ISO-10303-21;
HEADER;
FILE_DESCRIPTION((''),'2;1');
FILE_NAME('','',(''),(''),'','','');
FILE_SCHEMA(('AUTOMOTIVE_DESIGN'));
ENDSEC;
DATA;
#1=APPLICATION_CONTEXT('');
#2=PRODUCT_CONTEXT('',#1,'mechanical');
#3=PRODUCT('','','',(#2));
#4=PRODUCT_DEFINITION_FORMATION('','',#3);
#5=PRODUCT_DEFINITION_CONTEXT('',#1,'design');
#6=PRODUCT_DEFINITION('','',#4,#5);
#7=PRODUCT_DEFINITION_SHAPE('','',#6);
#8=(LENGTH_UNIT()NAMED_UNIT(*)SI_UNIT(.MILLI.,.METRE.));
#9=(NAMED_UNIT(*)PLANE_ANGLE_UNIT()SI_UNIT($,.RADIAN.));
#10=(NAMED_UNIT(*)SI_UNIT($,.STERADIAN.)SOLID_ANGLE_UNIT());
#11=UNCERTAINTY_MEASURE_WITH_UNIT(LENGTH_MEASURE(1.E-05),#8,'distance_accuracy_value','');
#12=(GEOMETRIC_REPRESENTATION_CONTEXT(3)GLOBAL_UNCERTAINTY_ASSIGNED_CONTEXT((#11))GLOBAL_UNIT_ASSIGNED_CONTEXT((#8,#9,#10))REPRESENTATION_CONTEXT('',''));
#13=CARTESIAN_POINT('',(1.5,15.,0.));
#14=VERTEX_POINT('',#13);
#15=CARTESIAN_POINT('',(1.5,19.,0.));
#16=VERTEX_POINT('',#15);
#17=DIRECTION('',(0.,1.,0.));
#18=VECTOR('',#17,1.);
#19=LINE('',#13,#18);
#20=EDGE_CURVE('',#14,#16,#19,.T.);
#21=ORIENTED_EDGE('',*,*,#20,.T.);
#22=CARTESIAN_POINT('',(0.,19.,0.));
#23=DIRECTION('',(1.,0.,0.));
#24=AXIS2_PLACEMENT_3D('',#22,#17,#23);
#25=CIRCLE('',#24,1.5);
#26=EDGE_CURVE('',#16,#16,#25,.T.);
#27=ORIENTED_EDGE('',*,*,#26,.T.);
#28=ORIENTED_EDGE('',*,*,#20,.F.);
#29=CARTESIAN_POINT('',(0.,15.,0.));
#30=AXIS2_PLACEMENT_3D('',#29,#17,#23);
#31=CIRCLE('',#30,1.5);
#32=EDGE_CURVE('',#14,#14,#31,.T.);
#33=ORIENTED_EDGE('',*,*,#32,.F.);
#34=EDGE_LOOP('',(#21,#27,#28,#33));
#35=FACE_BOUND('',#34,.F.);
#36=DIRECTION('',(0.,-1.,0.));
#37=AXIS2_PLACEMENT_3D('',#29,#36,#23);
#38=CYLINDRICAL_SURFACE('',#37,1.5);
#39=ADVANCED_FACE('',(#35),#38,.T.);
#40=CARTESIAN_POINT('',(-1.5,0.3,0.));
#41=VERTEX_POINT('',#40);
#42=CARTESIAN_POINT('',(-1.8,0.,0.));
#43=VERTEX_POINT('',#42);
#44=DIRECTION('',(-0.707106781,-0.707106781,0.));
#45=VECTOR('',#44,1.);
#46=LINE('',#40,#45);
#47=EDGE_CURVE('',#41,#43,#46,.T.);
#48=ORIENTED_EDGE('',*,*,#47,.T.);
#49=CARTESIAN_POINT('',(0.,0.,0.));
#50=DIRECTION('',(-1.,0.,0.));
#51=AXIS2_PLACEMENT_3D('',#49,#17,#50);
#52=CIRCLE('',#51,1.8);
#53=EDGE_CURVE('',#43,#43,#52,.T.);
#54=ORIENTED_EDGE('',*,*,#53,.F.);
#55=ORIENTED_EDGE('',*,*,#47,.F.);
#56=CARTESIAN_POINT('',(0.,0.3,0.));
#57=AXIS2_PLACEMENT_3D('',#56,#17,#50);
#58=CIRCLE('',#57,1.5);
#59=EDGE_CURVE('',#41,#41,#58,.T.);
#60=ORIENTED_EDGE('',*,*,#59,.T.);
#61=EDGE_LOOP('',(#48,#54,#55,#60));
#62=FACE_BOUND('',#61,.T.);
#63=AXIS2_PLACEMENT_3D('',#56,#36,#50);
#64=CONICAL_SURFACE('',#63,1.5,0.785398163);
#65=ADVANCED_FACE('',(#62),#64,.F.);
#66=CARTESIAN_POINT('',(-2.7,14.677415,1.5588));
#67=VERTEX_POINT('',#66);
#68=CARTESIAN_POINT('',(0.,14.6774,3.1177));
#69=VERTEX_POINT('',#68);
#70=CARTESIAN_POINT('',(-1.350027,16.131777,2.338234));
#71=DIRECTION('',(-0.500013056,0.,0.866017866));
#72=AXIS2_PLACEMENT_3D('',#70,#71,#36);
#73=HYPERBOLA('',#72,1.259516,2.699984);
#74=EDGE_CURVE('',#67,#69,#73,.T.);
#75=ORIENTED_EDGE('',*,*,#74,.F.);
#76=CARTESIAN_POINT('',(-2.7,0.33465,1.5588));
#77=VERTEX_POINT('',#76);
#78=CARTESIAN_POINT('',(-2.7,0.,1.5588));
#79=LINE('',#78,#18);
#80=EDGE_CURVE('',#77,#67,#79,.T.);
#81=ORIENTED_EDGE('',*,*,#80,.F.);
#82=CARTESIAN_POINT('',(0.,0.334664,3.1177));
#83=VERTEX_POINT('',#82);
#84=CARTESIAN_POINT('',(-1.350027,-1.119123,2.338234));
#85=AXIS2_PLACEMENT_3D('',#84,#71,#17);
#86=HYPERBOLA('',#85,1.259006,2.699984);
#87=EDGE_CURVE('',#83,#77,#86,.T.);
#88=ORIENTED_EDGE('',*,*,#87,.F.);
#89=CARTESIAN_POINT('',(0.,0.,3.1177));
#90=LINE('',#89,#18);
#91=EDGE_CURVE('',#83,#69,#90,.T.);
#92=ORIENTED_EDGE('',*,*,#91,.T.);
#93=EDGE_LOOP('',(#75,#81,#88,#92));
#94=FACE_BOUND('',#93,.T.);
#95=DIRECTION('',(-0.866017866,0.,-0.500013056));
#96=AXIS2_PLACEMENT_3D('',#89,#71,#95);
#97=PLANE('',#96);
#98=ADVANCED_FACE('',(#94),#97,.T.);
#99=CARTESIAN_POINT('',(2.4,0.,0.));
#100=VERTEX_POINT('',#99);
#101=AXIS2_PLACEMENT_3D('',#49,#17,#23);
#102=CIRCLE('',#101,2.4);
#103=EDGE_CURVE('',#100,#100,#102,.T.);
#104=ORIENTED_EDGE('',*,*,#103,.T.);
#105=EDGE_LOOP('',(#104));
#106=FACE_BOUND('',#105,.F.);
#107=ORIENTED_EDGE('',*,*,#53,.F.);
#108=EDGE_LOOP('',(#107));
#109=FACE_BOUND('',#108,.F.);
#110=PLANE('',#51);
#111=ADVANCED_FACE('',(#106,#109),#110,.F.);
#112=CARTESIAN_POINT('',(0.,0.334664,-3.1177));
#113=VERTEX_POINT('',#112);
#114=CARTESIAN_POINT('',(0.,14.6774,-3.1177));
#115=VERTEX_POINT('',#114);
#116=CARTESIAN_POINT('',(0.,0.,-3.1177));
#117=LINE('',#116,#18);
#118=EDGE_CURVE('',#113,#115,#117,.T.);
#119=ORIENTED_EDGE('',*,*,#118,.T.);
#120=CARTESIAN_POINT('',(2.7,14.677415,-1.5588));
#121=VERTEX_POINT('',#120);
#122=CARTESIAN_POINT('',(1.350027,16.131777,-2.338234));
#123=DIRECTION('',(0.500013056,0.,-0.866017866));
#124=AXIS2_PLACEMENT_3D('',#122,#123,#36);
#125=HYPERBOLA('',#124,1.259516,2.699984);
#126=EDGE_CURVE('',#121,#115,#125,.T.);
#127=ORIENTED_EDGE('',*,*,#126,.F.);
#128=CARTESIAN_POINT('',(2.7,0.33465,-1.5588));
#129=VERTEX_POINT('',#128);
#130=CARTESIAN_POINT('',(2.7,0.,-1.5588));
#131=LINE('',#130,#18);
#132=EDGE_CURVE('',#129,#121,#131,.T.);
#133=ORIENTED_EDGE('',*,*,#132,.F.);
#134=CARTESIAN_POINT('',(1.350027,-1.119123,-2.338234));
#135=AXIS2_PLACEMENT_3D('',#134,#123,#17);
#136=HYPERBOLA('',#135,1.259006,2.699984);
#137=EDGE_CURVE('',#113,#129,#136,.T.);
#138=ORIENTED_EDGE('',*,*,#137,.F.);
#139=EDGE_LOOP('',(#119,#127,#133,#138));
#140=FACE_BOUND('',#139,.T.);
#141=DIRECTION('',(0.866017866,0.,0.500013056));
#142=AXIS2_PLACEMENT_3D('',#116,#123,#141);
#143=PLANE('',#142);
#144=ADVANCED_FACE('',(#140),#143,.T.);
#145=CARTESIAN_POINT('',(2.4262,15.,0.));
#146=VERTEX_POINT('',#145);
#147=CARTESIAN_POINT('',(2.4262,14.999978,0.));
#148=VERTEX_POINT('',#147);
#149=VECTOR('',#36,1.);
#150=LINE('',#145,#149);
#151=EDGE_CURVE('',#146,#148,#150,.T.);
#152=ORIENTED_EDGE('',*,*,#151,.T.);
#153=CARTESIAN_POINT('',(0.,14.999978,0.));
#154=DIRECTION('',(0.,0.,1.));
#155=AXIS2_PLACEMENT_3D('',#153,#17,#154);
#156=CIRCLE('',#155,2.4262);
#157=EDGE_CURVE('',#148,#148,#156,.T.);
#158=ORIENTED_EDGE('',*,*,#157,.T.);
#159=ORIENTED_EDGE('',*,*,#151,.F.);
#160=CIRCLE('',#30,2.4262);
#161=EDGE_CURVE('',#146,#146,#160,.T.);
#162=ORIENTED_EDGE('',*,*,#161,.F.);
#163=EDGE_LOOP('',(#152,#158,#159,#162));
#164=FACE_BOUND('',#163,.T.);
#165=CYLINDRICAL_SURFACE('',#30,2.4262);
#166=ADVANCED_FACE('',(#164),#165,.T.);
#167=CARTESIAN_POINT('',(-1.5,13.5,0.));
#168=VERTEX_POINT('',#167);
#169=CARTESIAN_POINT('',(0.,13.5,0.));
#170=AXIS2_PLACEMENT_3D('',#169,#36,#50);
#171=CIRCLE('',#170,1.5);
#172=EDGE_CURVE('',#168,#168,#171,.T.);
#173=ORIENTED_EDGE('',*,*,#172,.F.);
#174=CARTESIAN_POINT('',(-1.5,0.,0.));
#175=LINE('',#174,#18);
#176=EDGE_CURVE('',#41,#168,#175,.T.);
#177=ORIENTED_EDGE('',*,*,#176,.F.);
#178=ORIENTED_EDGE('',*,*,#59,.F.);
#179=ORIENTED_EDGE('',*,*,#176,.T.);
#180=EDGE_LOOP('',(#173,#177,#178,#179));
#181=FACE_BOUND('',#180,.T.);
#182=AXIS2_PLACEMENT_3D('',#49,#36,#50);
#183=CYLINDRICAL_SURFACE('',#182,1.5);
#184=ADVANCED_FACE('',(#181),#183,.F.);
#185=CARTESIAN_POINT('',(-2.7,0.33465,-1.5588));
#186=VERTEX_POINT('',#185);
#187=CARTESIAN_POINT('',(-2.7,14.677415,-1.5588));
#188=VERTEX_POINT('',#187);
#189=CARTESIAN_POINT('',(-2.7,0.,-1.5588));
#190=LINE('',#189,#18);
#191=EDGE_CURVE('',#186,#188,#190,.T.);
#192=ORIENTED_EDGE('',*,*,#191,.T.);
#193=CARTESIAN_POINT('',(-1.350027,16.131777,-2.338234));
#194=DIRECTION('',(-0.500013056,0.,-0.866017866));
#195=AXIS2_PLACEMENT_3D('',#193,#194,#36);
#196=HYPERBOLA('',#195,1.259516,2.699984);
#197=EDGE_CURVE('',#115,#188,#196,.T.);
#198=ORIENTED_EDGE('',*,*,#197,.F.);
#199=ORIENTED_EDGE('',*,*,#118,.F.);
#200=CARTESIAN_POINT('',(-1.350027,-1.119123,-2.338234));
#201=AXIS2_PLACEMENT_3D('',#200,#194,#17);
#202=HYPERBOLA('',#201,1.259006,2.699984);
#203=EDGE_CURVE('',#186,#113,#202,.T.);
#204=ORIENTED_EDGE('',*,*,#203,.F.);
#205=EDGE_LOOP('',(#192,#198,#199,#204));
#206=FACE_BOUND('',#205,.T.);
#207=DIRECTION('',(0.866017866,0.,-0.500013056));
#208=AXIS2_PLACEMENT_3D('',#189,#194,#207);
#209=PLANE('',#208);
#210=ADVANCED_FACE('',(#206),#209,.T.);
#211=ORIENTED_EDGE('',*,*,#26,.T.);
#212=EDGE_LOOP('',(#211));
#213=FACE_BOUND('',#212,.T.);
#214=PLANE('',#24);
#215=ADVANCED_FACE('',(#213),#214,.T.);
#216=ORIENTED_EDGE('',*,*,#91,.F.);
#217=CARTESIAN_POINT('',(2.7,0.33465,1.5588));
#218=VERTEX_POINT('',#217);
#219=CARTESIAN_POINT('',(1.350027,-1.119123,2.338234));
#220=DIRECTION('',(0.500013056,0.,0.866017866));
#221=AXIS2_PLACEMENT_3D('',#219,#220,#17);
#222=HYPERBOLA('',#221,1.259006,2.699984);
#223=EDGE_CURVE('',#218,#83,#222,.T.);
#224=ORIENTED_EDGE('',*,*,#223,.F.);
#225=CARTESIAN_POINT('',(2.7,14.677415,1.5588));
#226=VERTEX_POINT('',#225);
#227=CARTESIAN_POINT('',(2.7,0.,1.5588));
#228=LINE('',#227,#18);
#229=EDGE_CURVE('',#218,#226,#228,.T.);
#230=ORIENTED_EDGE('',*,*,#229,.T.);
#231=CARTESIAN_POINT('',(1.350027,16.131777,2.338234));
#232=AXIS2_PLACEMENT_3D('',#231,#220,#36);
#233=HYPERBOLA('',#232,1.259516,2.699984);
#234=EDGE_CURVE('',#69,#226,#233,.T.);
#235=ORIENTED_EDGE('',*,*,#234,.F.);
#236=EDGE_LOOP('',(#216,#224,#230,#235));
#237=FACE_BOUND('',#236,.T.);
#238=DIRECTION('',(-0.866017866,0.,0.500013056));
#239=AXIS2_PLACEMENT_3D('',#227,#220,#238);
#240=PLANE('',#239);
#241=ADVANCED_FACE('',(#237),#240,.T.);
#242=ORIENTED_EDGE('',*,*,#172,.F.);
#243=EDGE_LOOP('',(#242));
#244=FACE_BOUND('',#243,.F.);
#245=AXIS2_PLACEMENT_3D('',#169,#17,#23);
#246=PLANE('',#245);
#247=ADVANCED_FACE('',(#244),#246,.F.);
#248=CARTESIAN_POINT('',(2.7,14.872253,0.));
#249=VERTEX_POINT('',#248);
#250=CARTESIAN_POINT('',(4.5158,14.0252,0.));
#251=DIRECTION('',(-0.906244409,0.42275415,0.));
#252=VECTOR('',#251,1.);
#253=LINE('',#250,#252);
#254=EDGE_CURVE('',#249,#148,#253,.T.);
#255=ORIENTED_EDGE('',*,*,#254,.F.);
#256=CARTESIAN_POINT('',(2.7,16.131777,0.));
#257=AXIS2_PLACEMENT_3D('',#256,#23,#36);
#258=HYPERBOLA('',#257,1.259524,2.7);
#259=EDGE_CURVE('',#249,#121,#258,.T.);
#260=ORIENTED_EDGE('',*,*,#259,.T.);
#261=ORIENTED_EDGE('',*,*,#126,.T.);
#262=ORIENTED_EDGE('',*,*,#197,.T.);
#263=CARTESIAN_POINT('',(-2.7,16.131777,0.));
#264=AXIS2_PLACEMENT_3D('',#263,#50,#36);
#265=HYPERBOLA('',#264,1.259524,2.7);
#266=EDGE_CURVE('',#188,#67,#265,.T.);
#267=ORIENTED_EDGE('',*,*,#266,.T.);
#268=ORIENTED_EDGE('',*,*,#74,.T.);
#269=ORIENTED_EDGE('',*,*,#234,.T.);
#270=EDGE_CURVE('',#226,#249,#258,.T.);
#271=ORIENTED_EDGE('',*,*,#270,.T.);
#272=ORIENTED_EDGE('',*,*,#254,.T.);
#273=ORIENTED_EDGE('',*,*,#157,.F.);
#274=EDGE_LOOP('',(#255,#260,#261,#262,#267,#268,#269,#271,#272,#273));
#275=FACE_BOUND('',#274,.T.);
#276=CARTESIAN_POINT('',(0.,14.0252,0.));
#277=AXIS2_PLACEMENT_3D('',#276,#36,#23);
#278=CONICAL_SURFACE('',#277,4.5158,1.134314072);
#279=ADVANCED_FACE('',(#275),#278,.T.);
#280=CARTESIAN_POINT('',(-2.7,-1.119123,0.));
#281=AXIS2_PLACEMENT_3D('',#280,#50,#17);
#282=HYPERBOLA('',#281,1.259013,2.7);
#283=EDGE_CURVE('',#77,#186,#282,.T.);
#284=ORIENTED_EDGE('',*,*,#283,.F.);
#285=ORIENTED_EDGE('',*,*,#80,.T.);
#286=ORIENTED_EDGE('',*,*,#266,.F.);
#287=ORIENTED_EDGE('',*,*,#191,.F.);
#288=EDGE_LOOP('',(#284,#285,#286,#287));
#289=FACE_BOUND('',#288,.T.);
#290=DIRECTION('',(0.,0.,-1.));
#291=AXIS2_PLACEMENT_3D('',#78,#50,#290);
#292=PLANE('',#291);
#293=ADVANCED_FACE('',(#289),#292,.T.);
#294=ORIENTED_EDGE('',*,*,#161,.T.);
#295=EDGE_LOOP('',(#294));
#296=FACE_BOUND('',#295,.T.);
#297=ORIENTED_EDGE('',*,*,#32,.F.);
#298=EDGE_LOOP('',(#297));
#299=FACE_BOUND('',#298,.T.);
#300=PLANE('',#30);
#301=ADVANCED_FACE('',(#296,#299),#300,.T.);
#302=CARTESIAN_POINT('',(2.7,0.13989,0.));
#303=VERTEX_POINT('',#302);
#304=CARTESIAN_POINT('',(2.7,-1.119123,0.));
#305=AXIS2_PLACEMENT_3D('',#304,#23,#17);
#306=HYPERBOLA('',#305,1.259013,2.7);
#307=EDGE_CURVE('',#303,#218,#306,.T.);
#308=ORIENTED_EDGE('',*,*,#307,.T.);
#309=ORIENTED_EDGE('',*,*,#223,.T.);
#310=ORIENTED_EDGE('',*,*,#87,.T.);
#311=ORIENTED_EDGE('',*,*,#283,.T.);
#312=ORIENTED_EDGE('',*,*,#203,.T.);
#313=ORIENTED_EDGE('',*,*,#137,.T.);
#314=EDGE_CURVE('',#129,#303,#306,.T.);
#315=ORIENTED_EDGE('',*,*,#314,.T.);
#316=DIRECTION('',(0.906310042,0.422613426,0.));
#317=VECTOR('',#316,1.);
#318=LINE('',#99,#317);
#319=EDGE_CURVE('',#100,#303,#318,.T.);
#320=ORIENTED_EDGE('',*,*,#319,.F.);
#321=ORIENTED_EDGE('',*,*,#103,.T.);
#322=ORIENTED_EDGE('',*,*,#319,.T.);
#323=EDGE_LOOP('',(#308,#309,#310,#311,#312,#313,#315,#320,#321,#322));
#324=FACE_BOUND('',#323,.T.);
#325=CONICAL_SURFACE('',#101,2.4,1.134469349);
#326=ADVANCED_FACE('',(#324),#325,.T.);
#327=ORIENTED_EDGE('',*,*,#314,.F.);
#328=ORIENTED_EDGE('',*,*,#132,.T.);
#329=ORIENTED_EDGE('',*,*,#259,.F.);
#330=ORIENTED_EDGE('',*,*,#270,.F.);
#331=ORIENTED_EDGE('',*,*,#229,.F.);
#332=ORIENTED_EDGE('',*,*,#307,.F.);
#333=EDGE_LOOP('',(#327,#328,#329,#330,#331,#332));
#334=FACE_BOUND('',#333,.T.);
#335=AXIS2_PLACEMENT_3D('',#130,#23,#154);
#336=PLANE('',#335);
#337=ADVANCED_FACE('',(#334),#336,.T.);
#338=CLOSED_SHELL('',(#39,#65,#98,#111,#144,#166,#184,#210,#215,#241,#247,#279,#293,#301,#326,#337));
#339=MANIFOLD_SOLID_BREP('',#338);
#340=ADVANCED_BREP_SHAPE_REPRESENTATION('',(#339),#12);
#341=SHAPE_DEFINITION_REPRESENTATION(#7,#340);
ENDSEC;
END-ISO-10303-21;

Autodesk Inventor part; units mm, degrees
ref_plane "YZ Plane" through (0, 0, 0) normal (1, 0, 0) x (0, 1, 0)
ref_plane "XZ Plane" through (0, 0, 0) normal (0, 1, 0) x (-1, 0, 0)
ref_plane "XY Plane" through (0, 0, 0) normal (0, 0, 1) x (1, 0, 0)
sketch "Esboço2" plane through (0, 0, 0) normal (0, 1, 0) x (-1, 0, 0)
  circle A0 centre (0, 0) radius 1.5
  line L0 (2.7, -1.5588) -> (0, -3.1177)
  line L1 (0, -3.1177) -> (-2.7, -1.5588)
  line L2 (-2.7, -1.5588) -> (-2.7, 1.5588)
  line L3 (-2.7, 1.5588) -> (0, 3.1177)
  line L4 (0, 3.1177) -> (2.7, 1.5588)
  line L5 (2.7, 1.5588) -> (2.7, -1.5588)
extrude "Extrusão1" add sketch "Esboço2" along normal blind 15
thread "Rosca1" size "M3x0.5" class "6H" standard "ANSI Metric M Profile" full length
chamfer "Chanfro1" distance 0.3 angle 45 2 edges at (1.5, 15, 0) (1.5, 0, 0)
sketch "Esboço3" plane through (0, 0, 0) normal (0, 0, 1) x (1, 0, 0)
  line L0 (0, -0.48) -> (0, 2.88) projected
  line L1 (2.4, 0) -> (4.5158, 0.9866)
  line L2 (2.4, 0) -> (4.5158, 0.9866)
  line L3 (4.5158, 0.9866) -> (4.5158, 0)
  line L4 (4.5158, 0.9866) -> (2.4, 0)
  line L5 (2.4, 0) -> (4.5158, 0)
  line L6 (2.7, 0) -> (0, 0) projected
  line L7 (2.4, 2.4) -> (2.4, 15.0122)
  line L8 (4.5158, 15.0122) -> (2.4, 15.0122)
  line L9 (4.5158, 15.0122) -> (4.5158, 14.0252)
  line L10 (4.5158, 14.0252) -> (2.4, 15.0122)
  dimension "d19" = 0.987
revolve "Revolução3" cut sketch "Esboço3" angle 360 about axis through (0, -10, 0) along (0, 1, 0)
sketch "Esboço4" plane through (0, 15, 0) normal (0, 1, 0) x (1, 0, 0)
  circle A0 centre (0, 0) radius 2.4262
extrude "Extrusão2" add sketch "Esboço4" against normal blind 1.5
sketch "Esboço5" plane through (0, 15, 0) normal (0, 1, 0) x (1, 0, 0)
  circle A0 centre (0, 0) radius 1.5
  dimension "d23" = 3
extrude "Extrusão3" add sketch "Esboço5" along normal blind 4
thread "Rosca2" size "M3x0.5" class "6g" standard "ANSI Metric M Profile" full length
properties part number "espaçador 15mm m3" material "Aço galvanizado"
